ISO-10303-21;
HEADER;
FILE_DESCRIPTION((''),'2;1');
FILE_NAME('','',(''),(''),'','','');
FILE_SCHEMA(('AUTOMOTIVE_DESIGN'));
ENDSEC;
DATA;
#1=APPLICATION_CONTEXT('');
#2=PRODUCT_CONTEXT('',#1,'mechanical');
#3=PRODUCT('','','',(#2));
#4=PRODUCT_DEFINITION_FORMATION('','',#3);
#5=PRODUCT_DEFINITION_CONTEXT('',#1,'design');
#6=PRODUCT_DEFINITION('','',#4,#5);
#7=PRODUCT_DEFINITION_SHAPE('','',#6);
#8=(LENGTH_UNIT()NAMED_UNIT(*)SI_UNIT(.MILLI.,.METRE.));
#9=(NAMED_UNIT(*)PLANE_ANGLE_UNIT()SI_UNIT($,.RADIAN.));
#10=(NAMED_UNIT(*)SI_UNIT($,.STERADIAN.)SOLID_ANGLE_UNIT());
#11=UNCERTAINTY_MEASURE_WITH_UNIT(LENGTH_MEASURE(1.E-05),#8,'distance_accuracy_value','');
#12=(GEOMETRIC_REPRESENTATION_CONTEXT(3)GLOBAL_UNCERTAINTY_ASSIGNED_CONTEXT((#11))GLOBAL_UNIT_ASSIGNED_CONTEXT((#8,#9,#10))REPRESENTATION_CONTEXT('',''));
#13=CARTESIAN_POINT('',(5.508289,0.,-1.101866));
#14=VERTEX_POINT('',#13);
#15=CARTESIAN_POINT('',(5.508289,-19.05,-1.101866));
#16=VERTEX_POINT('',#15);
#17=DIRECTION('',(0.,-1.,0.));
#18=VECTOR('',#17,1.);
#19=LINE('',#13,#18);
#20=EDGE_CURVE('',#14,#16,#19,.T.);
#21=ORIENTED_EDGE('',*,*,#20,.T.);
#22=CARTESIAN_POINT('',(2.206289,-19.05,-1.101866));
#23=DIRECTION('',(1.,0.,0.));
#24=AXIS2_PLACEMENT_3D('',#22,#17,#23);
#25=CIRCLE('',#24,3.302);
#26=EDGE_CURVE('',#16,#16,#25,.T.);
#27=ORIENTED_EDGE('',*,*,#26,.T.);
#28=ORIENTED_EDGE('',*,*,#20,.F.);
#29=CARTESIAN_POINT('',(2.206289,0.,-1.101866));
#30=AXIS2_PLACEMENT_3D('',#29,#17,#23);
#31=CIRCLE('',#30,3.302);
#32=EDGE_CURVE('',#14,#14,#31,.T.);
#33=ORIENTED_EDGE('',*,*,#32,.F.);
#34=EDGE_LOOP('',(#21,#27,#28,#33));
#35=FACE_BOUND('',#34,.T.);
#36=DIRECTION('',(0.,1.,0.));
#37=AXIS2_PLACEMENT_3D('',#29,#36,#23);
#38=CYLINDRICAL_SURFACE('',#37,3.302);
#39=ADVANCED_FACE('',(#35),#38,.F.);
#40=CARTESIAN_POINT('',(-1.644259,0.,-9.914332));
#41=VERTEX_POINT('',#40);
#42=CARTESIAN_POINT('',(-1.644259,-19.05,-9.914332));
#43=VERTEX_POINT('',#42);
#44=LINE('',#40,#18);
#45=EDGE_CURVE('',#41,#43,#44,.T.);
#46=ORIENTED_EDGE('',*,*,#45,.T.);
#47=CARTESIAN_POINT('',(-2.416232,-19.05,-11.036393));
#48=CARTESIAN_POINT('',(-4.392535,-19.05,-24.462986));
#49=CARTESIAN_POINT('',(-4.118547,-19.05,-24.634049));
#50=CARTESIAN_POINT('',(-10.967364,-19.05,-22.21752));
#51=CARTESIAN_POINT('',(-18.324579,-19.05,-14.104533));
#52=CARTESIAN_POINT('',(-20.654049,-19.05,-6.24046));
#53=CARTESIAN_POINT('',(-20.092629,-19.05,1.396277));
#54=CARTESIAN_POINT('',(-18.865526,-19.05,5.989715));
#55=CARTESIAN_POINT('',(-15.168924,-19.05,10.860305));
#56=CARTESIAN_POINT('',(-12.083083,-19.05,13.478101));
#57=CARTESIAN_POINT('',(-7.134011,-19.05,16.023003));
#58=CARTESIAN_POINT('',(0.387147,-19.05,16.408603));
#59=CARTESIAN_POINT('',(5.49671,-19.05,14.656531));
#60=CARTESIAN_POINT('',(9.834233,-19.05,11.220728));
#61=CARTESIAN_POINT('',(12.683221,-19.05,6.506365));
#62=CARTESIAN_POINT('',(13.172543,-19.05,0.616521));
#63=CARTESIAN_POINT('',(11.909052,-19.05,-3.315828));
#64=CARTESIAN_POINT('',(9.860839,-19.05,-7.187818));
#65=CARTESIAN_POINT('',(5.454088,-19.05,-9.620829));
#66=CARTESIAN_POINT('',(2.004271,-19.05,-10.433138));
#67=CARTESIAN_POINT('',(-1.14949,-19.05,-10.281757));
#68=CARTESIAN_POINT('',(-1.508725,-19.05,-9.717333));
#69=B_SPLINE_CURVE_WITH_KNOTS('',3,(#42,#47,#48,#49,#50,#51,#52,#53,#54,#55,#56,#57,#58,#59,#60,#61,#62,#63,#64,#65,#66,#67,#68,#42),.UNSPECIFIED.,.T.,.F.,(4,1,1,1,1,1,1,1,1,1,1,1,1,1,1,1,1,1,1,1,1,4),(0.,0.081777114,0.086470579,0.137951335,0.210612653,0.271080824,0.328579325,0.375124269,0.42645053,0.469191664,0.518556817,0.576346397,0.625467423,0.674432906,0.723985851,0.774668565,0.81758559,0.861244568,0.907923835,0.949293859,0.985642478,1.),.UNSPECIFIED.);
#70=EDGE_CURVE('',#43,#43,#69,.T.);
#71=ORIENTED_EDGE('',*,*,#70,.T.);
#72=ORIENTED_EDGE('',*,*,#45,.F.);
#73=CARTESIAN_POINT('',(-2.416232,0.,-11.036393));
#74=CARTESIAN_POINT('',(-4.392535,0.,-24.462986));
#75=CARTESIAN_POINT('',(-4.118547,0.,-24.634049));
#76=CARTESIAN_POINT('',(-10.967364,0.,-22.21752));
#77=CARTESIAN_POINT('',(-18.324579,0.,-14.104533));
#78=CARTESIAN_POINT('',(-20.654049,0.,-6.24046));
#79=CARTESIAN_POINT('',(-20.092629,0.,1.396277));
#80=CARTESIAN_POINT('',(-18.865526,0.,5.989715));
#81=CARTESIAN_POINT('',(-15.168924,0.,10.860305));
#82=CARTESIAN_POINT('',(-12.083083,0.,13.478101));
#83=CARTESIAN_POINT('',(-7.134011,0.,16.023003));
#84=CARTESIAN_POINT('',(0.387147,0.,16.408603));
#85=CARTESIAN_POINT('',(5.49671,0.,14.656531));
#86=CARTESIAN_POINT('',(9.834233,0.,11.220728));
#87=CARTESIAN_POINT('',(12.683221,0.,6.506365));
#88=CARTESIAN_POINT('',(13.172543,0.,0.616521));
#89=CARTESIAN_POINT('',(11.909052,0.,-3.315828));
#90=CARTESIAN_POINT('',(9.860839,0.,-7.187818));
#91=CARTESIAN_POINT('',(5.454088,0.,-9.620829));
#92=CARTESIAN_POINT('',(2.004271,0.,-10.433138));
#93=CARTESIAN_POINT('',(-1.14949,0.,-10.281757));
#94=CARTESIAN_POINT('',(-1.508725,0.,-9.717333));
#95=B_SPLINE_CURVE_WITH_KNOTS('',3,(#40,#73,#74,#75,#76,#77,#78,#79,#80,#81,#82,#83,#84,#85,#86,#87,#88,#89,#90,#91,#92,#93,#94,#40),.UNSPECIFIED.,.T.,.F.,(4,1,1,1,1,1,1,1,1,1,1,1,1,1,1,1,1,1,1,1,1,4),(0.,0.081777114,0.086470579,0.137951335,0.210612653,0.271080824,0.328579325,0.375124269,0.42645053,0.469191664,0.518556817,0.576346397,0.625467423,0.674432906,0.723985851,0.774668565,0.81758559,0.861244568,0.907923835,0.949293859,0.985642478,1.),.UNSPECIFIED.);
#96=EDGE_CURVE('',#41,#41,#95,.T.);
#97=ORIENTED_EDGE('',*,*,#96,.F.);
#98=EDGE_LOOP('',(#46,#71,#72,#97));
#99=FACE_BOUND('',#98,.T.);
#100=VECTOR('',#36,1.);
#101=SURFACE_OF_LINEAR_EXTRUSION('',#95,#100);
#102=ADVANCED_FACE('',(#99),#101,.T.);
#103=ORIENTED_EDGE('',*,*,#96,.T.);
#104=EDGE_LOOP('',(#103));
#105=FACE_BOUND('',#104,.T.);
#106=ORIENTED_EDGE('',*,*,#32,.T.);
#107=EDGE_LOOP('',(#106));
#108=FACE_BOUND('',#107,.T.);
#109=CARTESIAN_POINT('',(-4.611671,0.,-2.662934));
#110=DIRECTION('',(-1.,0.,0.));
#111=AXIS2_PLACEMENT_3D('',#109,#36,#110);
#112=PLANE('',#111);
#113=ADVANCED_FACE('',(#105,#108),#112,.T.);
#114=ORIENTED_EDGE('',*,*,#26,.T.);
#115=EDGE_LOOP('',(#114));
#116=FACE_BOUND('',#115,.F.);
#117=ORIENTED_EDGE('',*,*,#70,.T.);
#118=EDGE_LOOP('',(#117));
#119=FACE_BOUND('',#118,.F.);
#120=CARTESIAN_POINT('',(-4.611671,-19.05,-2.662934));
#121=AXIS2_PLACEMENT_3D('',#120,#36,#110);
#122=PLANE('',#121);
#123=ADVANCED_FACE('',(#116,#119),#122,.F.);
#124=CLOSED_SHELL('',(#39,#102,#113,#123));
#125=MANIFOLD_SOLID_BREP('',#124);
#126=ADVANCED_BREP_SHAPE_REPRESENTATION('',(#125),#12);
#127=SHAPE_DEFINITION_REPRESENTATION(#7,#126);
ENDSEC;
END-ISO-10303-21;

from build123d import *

# Parameters (mm, degrees)
F0_R     = 3.302
F1_DEPTH = 19.05


with BuildPart() as f1:
    # F0 (on Front) → F1 (new body)
    with BuildSketch(Plane.XZ):
        with BuildLine():
            add(Edge.make_bspline(
                [(-1.6442594351, -9.9143320695), (-2.4162315346, -11.0363931079), (-4.3925348379, -24.4629856197), (-4.1185465372, -24.6340487194), (-10.9673642535, -22.2175198278), (-18.3245793278, -14.1045328867), (-20.6540492108, -6.2404596866), (-20.0926288942, 1.3962768287), (-18.8655262778, 5.9897152826), (-15.1689237233, 10.8603046666), (-12.0830829353, 13.4781014414), (-7.1340113108, 16.0230028799), (0.3871465607, 16.4086034061), (5.4967095999, 14.6565309829), (9.8342326556, 11.2207282373), (12.6832212361, 6.5063654518), (13.1725431802, 0.616521279), (11.9090517865, -3.3158275018), (9.8608391859, -7.1878181572), (5.4540876135, -9.62082917), (2.0042707384, -10.4331377659), (-1.1494898378, -10.2817566906), (-1.5087251061, -9.717332994), (-1.6442594351, -9.9143320695)],
                knots=[0, 0, 0, 0, 0.0817771138, 0.0864705789, 0.1379513348, 0.2106126529, 0.2710808243, 0.3285793251, 0.3751242692, 0.4264505305, 0.469191664, 0.5185568168, 0.5763463973, 0.6254674229, 0.6744329057, 0.7239858507, 0.7746685648, 0.81758559, 0.8612445684, 0.9079238348, 0.9492938592, 0.9856424782, 1, 1, 1, 1], degree=3))
        make_face()
        with Locations((2.2062894423, -1.1018663645)):
            Circle(F0_R, mode=Mode.SUBTRACT)
    extrude(amount=F1_DEPTH)


solid = f1.part
